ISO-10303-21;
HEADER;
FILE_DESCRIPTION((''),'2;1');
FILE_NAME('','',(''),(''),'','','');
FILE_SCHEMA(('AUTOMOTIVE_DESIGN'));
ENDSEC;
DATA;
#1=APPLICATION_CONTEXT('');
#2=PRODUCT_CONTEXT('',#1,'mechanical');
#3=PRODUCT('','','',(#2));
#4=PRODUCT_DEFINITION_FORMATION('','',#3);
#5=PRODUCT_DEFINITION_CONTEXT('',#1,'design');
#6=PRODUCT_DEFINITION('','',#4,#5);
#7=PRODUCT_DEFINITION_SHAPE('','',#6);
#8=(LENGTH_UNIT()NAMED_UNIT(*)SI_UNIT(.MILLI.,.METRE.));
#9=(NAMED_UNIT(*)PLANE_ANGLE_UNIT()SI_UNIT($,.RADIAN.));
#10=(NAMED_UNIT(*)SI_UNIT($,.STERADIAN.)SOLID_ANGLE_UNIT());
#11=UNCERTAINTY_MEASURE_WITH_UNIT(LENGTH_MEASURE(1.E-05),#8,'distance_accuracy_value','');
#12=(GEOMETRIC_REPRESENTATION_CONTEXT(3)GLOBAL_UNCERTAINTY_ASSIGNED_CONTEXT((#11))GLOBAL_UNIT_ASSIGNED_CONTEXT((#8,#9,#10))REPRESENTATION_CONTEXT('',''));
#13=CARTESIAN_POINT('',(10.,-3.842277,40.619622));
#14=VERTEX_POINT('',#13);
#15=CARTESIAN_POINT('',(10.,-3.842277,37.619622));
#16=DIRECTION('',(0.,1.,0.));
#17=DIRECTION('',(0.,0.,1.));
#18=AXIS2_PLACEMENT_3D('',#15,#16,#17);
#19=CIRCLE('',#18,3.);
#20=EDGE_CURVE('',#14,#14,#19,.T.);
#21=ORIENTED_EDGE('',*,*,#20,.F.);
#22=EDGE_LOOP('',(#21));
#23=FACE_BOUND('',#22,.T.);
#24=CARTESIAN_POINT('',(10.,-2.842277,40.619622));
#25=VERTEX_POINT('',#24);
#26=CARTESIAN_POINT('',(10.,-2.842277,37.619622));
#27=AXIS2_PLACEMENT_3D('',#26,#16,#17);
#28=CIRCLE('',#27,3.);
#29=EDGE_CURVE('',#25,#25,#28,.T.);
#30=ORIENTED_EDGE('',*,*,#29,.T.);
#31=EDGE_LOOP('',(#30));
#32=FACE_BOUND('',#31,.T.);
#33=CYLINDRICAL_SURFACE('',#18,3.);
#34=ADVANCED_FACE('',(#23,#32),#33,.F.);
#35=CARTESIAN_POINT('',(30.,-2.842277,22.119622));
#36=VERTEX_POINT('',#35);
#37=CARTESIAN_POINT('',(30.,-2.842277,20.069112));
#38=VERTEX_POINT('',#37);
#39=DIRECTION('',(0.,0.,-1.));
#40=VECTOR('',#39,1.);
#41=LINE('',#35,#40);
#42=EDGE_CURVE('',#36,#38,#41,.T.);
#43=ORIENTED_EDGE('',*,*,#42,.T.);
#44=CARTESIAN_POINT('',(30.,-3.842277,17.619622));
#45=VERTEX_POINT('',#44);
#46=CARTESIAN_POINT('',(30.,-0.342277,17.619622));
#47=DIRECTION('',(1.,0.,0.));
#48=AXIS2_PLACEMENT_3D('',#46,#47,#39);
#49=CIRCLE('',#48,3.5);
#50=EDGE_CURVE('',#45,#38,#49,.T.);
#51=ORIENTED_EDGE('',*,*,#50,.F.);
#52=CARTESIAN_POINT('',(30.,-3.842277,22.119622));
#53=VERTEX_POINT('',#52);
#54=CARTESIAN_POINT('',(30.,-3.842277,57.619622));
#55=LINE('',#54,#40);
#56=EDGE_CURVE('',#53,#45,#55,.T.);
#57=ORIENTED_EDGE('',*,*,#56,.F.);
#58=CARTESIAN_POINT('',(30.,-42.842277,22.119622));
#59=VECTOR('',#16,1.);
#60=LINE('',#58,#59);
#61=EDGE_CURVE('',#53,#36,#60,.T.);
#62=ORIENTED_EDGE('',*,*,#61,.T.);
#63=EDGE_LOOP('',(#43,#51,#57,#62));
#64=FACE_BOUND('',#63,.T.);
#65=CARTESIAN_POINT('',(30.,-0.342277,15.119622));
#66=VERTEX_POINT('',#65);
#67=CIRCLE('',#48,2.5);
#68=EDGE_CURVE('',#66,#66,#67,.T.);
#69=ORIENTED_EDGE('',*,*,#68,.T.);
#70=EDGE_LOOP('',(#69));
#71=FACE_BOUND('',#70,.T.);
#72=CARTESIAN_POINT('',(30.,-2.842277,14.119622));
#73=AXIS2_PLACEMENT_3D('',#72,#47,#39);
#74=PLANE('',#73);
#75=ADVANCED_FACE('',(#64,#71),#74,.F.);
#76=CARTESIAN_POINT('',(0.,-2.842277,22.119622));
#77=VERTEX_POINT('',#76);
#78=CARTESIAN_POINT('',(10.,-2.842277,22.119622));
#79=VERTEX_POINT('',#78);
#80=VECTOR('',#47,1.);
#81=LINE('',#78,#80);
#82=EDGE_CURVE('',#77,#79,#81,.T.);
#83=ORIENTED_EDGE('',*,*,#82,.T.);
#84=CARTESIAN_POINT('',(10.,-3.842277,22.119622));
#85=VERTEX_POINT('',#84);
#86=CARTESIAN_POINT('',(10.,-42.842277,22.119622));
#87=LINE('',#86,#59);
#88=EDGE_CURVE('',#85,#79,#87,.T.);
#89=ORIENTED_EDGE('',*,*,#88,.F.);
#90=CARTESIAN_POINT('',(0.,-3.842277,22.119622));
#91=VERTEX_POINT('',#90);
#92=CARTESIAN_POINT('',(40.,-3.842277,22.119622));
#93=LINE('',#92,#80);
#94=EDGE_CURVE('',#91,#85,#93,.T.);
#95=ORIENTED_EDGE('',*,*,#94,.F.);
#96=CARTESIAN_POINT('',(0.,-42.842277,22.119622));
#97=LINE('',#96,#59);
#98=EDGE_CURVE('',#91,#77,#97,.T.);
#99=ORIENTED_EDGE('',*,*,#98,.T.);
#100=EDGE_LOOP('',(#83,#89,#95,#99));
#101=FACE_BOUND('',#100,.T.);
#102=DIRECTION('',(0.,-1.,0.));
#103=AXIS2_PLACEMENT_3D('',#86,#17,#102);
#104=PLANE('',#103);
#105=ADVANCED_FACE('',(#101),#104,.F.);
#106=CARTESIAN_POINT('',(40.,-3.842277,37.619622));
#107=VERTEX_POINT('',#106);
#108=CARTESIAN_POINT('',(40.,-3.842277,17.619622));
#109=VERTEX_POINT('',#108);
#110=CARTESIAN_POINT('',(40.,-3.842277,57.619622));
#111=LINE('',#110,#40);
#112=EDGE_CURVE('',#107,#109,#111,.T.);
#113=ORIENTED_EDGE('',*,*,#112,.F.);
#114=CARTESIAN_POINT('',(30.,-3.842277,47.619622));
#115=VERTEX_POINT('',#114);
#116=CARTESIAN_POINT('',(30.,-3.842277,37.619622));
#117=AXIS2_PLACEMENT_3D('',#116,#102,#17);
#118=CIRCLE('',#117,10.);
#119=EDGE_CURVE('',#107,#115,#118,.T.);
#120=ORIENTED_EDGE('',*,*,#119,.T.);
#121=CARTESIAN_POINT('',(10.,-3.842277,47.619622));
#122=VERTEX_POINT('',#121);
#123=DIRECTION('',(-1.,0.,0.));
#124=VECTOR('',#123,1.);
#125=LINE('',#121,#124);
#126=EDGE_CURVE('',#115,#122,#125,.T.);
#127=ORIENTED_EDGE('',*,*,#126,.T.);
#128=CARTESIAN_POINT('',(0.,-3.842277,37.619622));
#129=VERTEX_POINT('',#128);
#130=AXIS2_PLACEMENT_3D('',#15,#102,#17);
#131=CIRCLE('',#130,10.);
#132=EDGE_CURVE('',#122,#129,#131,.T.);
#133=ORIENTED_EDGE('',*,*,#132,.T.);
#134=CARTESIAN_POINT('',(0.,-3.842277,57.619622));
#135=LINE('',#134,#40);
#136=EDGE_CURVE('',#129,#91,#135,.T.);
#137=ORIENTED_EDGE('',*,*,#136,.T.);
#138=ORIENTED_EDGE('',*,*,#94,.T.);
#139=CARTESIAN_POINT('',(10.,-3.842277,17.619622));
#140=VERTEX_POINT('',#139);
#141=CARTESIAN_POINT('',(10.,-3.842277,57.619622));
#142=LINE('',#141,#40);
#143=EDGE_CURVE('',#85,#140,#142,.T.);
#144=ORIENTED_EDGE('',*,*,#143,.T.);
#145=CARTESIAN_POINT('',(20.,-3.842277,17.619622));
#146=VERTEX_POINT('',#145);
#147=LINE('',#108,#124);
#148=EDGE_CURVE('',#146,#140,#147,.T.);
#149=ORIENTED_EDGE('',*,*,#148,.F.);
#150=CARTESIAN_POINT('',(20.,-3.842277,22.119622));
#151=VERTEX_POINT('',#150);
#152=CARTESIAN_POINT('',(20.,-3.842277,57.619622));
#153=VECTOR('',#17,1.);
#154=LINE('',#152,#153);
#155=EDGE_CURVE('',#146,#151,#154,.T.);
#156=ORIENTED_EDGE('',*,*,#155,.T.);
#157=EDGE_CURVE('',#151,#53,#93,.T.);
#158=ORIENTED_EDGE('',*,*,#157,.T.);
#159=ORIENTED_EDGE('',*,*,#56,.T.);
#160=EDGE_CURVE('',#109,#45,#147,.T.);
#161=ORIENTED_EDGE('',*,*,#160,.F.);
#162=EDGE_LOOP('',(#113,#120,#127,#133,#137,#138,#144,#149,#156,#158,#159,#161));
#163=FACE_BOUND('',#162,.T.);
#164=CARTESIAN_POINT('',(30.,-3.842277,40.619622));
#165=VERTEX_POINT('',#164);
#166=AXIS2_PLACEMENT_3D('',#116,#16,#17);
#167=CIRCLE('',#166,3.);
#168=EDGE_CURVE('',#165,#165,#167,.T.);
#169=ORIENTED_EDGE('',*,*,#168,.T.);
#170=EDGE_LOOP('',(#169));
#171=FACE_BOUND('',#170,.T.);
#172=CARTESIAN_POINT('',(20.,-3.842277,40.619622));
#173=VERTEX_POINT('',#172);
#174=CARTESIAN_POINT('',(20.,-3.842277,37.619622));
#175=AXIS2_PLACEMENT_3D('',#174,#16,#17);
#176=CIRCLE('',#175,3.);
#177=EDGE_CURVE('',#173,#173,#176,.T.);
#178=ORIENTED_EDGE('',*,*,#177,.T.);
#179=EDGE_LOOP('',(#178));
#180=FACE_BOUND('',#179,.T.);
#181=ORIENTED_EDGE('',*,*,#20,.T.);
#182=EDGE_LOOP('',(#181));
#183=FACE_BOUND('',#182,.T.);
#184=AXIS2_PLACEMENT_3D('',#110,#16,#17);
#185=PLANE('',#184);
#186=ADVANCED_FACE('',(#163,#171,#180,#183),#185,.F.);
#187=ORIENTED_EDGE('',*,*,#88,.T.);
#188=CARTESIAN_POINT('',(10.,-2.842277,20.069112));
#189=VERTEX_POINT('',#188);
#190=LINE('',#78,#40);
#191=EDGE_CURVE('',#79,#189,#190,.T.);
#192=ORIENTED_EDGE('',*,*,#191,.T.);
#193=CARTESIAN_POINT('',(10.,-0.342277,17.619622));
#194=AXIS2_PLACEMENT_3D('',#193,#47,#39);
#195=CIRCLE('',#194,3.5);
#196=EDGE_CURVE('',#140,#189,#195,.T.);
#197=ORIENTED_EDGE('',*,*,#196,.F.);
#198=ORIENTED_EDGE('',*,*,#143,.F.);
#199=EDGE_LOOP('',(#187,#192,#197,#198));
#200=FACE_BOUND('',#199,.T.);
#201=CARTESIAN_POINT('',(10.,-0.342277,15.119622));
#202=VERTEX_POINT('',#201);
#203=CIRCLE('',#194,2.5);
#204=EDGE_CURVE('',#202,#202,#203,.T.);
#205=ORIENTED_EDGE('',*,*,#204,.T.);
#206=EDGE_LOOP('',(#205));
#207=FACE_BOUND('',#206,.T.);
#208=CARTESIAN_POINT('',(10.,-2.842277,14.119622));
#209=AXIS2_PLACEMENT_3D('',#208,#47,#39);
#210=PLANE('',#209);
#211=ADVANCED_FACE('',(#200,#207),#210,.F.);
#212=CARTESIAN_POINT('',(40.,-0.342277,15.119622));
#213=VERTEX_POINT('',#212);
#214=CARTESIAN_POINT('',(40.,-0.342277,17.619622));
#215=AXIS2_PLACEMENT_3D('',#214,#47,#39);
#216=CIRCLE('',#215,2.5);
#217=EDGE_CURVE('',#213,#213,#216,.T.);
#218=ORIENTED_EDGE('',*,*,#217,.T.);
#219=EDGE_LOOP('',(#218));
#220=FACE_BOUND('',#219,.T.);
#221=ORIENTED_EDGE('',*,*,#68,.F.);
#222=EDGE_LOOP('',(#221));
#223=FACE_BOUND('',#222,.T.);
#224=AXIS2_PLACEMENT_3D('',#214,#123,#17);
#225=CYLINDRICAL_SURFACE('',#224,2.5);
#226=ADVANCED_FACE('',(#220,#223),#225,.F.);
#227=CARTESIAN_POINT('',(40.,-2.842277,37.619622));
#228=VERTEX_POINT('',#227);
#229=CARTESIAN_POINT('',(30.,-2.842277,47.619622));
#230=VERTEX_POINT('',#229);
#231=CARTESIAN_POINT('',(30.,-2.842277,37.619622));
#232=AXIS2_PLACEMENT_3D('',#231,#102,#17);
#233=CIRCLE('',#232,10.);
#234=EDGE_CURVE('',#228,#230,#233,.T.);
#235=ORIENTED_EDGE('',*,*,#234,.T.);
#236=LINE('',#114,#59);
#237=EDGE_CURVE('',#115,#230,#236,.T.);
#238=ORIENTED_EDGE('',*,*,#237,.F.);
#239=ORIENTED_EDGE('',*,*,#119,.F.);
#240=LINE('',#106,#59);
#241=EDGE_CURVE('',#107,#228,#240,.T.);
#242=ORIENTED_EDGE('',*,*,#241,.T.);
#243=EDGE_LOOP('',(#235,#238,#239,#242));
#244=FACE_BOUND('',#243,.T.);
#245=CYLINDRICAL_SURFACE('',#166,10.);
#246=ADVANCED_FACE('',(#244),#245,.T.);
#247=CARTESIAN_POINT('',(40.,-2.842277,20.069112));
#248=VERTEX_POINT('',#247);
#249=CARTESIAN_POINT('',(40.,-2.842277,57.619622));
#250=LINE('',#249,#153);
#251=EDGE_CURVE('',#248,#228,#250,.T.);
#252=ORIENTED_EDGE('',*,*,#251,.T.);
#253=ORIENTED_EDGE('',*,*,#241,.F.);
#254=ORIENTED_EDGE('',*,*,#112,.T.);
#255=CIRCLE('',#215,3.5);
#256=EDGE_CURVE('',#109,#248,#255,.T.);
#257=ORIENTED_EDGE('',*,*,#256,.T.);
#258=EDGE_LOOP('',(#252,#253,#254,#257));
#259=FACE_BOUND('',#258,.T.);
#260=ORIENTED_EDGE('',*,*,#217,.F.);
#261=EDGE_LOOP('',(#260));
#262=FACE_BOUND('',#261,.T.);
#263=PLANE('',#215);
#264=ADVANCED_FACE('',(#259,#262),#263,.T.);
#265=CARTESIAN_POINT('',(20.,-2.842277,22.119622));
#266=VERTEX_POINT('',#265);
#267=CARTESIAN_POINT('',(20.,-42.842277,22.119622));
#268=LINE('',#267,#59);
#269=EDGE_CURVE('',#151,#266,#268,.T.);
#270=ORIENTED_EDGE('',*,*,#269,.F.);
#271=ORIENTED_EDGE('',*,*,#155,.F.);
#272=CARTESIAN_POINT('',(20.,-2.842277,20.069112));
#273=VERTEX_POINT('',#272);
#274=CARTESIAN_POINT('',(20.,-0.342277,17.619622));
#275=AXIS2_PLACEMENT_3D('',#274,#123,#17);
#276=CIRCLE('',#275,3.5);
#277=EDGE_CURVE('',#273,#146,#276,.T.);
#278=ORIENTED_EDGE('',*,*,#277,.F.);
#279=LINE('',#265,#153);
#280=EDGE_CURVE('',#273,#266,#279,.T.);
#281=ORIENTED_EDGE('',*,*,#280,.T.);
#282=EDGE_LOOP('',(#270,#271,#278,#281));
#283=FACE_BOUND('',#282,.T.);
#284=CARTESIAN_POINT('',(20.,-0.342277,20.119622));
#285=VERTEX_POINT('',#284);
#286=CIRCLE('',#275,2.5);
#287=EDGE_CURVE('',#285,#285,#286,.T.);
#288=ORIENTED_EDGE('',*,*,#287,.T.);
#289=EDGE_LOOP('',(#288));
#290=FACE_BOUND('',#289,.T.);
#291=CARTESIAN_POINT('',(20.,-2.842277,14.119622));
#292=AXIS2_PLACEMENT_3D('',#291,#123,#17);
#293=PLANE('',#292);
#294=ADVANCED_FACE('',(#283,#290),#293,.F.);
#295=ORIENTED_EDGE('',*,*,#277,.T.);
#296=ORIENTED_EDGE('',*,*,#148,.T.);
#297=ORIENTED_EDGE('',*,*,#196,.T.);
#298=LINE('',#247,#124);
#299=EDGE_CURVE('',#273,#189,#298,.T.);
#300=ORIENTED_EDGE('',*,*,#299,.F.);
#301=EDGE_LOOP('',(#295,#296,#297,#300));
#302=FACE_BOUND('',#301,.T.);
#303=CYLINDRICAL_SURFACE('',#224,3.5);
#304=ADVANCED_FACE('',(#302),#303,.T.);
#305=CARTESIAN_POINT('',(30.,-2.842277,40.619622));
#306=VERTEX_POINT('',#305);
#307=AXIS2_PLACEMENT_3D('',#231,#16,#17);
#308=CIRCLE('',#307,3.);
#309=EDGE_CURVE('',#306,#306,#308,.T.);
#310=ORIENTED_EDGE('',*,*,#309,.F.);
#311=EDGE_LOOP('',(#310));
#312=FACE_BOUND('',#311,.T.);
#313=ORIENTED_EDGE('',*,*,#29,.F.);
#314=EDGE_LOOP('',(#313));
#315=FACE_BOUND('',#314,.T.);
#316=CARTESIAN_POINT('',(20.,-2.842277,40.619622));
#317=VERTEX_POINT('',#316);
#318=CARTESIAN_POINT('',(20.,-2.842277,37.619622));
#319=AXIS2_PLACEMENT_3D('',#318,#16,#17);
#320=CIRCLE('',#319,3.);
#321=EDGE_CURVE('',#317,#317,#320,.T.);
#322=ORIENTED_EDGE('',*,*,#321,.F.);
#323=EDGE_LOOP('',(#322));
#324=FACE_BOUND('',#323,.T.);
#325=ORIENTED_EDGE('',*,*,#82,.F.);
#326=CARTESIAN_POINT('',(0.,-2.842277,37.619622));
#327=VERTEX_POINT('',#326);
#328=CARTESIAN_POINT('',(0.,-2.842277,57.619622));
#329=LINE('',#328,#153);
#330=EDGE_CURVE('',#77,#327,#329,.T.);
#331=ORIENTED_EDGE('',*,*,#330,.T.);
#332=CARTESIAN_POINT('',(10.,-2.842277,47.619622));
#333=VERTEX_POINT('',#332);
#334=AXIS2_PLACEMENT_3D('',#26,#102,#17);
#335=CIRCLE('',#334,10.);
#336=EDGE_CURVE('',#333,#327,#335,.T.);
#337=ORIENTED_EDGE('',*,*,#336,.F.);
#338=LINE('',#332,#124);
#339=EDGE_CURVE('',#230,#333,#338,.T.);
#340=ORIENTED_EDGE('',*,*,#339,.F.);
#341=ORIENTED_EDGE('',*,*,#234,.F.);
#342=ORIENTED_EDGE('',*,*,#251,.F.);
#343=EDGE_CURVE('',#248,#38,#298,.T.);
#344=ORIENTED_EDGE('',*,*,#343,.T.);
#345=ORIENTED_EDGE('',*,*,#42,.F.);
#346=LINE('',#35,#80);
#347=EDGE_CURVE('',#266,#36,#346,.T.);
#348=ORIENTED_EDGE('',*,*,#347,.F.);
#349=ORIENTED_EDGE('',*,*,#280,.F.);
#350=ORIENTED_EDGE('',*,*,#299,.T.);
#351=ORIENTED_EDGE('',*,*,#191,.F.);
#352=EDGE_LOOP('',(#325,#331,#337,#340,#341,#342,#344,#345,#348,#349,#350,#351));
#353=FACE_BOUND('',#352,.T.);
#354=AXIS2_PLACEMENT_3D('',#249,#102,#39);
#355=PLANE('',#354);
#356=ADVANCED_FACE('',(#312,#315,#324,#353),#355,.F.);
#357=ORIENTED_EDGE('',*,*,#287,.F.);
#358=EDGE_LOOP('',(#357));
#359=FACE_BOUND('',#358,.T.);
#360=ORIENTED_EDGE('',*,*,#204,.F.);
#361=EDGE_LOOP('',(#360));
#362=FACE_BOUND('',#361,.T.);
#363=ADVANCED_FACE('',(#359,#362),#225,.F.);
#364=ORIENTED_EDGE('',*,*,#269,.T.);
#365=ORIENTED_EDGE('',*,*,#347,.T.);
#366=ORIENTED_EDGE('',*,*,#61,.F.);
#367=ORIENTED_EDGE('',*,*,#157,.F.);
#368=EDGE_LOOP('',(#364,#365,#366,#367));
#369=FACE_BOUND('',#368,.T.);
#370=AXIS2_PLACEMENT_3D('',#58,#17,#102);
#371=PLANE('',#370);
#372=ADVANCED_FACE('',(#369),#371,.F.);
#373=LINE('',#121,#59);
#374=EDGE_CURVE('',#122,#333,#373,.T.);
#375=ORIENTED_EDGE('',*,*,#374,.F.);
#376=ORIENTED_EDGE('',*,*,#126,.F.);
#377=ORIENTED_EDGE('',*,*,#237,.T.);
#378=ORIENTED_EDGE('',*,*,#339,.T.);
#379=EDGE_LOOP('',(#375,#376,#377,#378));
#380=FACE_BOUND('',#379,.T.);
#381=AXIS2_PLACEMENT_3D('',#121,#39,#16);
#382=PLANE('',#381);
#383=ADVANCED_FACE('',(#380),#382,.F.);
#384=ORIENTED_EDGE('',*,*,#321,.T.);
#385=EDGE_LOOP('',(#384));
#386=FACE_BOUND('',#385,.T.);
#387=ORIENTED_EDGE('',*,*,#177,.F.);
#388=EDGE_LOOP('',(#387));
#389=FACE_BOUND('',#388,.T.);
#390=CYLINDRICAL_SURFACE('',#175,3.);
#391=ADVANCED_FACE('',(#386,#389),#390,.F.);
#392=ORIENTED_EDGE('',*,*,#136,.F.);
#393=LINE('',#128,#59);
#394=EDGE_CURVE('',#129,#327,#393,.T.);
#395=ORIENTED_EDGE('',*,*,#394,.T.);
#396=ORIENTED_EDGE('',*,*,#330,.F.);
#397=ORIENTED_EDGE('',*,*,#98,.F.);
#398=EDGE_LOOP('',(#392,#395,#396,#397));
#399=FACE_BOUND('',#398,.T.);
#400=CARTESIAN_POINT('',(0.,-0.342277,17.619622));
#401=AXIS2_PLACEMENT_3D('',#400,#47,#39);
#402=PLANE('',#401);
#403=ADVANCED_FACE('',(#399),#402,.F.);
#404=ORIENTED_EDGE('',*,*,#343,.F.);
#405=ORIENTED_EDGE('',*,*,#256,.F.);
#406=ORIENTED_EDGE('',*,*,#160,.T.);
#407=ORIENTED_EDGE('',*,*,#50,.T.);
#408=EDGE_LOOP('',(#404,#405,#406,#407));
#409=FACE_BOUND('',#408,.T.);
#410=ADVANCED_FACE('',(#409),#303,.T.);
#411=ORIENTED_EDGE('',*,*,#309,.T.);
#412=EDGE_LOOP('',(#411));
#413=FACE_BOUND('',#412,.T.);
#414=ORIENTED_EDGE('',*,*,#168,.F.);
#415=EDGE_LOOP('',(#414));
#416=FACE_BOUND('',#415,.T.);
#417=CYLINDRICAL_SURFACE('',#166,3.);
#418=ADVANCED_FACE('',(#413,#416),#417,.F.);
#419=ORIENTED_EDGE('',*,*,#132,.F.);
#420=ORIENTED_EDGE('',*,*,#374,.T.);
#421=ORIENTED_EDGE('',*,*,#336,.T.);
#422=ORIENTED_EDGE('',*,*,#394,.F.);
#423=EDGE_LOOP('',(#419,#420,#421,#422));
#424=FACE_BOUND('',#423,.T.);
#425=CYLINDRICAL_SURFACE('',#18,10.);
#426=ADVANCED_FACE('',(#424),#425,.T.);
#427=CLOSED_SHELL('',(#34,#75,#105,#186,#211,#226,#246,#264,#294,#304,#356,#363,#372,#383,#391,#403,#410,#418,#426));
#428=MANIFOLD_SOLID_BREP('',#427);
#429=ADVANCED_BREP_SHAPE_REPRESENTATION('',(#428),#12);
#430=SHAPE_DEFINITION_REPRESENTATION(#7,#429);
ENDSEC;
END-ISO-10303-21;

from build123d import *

# Parameters (mm, degrees)
ESQUISSE1_R             = 2.5
BOSS_EXTRU_1_DEPTH      = 40
ESQUISSE2_W             = 10
ESQUISSE2_H             = 7
ENL_V_MAT_EXTRU_1_DEPTH = 44.5
ESQUISSE3_W             = 10
ESQUISSE3_H             = 8
ENL_V_MAT_EXTRU_2_DEPTH = 40
ESQUISSE4_R             = 3
ENL_V_MAT_EXTRU_3_DEPTH = 2


with BuildPart() as part:
    # Esquisse1 → Boss.-Extru.1 (new body)
    with BuildSketch(Plane(origin=(0, 0, 0), x_dir=(0, 0, -1), z_dir=(1, 0, 0))):
        with BuildLine():
            Line((-57.619622055, -2.842276543), (-20.069111797, -2.842276543))
            ThreePointArc((-20.069111797, -2.842276543), (-16.296746399, 2.898093806), (-17.619622055, -3.842276543))
            Line((-17.619622055, -3.842276543), (-57.619622055, -3.842276543))
            Line((-57.619622055, -3.842276543), (-57.619622055, -2.842276543))
        make_face()
        with Locations((-17.619622055, -0.342276543)):
            Circle(ESQUISSE1_R, mode=Mode.SUBTRACT)
    extrude(amount=BOSS_EXTRU_1_DEPTH)

    # Esquisse2 → Enlèv. mat.-Extru.1 (cut, through all)
    with BuildSketch(Plane.XY.offset(57.619622055)):
        with Locations((25, 0.657723457)):
            Rectangle(ESQUISSE2_W, ESQUISSE2_H)
        with Locations((5, 0.657723457)):
            Rectangle(ESQUISSE2_W, ESQUISSE2_H)
    extrude(amount=-ENL_V_MAT_EXTRU_1_DEPTH, mode=Mode.SUBTRACT)

    # Esquisse3 → Enlèv. mat.-Extru.2 (cut)
    with BuildSketch(Plane(origin=(0, -2.842276543, 0), x_dir=(1, 0, 0), z_dir=(0, 1, 0))):
        with Locations((5, -18.119622055)):
            Rectangle(ESQUISSE3_W, ESQUISSE3_H)
        with Locations((25, -18.119622055)):
            Rectangle(ESQUISSE3_W, ESQUISSE3_H)
    extrude(amount=-ENL_V_MAT_EXTRU_2_DEPTH, mode=Mode.SUBTRACT)

    # Esquisse4 → Enlèv. mat.-Extru.3 (cut, through all)
    with BuildSketch(Plane(origin=(0, -2.842276543, 0), x_dir=(1, 0, 0), z_dir=(0, 1, 0))):
        with Locations(Location((10, -37.619622055, 0), (0, 0, 270))):  # turned: the seam where the file's is
            Circle(ESQUISSE4_R)
        with Locations(Location((20, -37.619622055, 0), (0, 0, 270))):  # turned: the seam where the file's is
            Circle(ESQUISSE4_R)
        with Locations(Location((30, -37.619622055, 0), (0, 0, 270))):  # turned: the seam where the file's is
            Circle(ESQUISSE4_R)
        with BuildLine():
            Line((10, -47.619622055), (30, -47.619622055))
            ThreePointArc((30, -47.619622055), (37.071067812, -44.690689866), (40, -37.619622055))
            Line((40, -37.619622055), (40, -57.619622055))
            Line((40, -57.619622055), (0, -57.619622055))
            Line((0, -57.619622055), (0, -37.619622055))
            ThreePointArc((0, -37.619622055), (2.928932188, -44.690689866), (10, -47.619622055))
        make_face()
    extrude(amount=-ENL_V_MAT_EXTRU_3_DEPTH, mode=Mode.SUBTRACT)


solid = part.part
